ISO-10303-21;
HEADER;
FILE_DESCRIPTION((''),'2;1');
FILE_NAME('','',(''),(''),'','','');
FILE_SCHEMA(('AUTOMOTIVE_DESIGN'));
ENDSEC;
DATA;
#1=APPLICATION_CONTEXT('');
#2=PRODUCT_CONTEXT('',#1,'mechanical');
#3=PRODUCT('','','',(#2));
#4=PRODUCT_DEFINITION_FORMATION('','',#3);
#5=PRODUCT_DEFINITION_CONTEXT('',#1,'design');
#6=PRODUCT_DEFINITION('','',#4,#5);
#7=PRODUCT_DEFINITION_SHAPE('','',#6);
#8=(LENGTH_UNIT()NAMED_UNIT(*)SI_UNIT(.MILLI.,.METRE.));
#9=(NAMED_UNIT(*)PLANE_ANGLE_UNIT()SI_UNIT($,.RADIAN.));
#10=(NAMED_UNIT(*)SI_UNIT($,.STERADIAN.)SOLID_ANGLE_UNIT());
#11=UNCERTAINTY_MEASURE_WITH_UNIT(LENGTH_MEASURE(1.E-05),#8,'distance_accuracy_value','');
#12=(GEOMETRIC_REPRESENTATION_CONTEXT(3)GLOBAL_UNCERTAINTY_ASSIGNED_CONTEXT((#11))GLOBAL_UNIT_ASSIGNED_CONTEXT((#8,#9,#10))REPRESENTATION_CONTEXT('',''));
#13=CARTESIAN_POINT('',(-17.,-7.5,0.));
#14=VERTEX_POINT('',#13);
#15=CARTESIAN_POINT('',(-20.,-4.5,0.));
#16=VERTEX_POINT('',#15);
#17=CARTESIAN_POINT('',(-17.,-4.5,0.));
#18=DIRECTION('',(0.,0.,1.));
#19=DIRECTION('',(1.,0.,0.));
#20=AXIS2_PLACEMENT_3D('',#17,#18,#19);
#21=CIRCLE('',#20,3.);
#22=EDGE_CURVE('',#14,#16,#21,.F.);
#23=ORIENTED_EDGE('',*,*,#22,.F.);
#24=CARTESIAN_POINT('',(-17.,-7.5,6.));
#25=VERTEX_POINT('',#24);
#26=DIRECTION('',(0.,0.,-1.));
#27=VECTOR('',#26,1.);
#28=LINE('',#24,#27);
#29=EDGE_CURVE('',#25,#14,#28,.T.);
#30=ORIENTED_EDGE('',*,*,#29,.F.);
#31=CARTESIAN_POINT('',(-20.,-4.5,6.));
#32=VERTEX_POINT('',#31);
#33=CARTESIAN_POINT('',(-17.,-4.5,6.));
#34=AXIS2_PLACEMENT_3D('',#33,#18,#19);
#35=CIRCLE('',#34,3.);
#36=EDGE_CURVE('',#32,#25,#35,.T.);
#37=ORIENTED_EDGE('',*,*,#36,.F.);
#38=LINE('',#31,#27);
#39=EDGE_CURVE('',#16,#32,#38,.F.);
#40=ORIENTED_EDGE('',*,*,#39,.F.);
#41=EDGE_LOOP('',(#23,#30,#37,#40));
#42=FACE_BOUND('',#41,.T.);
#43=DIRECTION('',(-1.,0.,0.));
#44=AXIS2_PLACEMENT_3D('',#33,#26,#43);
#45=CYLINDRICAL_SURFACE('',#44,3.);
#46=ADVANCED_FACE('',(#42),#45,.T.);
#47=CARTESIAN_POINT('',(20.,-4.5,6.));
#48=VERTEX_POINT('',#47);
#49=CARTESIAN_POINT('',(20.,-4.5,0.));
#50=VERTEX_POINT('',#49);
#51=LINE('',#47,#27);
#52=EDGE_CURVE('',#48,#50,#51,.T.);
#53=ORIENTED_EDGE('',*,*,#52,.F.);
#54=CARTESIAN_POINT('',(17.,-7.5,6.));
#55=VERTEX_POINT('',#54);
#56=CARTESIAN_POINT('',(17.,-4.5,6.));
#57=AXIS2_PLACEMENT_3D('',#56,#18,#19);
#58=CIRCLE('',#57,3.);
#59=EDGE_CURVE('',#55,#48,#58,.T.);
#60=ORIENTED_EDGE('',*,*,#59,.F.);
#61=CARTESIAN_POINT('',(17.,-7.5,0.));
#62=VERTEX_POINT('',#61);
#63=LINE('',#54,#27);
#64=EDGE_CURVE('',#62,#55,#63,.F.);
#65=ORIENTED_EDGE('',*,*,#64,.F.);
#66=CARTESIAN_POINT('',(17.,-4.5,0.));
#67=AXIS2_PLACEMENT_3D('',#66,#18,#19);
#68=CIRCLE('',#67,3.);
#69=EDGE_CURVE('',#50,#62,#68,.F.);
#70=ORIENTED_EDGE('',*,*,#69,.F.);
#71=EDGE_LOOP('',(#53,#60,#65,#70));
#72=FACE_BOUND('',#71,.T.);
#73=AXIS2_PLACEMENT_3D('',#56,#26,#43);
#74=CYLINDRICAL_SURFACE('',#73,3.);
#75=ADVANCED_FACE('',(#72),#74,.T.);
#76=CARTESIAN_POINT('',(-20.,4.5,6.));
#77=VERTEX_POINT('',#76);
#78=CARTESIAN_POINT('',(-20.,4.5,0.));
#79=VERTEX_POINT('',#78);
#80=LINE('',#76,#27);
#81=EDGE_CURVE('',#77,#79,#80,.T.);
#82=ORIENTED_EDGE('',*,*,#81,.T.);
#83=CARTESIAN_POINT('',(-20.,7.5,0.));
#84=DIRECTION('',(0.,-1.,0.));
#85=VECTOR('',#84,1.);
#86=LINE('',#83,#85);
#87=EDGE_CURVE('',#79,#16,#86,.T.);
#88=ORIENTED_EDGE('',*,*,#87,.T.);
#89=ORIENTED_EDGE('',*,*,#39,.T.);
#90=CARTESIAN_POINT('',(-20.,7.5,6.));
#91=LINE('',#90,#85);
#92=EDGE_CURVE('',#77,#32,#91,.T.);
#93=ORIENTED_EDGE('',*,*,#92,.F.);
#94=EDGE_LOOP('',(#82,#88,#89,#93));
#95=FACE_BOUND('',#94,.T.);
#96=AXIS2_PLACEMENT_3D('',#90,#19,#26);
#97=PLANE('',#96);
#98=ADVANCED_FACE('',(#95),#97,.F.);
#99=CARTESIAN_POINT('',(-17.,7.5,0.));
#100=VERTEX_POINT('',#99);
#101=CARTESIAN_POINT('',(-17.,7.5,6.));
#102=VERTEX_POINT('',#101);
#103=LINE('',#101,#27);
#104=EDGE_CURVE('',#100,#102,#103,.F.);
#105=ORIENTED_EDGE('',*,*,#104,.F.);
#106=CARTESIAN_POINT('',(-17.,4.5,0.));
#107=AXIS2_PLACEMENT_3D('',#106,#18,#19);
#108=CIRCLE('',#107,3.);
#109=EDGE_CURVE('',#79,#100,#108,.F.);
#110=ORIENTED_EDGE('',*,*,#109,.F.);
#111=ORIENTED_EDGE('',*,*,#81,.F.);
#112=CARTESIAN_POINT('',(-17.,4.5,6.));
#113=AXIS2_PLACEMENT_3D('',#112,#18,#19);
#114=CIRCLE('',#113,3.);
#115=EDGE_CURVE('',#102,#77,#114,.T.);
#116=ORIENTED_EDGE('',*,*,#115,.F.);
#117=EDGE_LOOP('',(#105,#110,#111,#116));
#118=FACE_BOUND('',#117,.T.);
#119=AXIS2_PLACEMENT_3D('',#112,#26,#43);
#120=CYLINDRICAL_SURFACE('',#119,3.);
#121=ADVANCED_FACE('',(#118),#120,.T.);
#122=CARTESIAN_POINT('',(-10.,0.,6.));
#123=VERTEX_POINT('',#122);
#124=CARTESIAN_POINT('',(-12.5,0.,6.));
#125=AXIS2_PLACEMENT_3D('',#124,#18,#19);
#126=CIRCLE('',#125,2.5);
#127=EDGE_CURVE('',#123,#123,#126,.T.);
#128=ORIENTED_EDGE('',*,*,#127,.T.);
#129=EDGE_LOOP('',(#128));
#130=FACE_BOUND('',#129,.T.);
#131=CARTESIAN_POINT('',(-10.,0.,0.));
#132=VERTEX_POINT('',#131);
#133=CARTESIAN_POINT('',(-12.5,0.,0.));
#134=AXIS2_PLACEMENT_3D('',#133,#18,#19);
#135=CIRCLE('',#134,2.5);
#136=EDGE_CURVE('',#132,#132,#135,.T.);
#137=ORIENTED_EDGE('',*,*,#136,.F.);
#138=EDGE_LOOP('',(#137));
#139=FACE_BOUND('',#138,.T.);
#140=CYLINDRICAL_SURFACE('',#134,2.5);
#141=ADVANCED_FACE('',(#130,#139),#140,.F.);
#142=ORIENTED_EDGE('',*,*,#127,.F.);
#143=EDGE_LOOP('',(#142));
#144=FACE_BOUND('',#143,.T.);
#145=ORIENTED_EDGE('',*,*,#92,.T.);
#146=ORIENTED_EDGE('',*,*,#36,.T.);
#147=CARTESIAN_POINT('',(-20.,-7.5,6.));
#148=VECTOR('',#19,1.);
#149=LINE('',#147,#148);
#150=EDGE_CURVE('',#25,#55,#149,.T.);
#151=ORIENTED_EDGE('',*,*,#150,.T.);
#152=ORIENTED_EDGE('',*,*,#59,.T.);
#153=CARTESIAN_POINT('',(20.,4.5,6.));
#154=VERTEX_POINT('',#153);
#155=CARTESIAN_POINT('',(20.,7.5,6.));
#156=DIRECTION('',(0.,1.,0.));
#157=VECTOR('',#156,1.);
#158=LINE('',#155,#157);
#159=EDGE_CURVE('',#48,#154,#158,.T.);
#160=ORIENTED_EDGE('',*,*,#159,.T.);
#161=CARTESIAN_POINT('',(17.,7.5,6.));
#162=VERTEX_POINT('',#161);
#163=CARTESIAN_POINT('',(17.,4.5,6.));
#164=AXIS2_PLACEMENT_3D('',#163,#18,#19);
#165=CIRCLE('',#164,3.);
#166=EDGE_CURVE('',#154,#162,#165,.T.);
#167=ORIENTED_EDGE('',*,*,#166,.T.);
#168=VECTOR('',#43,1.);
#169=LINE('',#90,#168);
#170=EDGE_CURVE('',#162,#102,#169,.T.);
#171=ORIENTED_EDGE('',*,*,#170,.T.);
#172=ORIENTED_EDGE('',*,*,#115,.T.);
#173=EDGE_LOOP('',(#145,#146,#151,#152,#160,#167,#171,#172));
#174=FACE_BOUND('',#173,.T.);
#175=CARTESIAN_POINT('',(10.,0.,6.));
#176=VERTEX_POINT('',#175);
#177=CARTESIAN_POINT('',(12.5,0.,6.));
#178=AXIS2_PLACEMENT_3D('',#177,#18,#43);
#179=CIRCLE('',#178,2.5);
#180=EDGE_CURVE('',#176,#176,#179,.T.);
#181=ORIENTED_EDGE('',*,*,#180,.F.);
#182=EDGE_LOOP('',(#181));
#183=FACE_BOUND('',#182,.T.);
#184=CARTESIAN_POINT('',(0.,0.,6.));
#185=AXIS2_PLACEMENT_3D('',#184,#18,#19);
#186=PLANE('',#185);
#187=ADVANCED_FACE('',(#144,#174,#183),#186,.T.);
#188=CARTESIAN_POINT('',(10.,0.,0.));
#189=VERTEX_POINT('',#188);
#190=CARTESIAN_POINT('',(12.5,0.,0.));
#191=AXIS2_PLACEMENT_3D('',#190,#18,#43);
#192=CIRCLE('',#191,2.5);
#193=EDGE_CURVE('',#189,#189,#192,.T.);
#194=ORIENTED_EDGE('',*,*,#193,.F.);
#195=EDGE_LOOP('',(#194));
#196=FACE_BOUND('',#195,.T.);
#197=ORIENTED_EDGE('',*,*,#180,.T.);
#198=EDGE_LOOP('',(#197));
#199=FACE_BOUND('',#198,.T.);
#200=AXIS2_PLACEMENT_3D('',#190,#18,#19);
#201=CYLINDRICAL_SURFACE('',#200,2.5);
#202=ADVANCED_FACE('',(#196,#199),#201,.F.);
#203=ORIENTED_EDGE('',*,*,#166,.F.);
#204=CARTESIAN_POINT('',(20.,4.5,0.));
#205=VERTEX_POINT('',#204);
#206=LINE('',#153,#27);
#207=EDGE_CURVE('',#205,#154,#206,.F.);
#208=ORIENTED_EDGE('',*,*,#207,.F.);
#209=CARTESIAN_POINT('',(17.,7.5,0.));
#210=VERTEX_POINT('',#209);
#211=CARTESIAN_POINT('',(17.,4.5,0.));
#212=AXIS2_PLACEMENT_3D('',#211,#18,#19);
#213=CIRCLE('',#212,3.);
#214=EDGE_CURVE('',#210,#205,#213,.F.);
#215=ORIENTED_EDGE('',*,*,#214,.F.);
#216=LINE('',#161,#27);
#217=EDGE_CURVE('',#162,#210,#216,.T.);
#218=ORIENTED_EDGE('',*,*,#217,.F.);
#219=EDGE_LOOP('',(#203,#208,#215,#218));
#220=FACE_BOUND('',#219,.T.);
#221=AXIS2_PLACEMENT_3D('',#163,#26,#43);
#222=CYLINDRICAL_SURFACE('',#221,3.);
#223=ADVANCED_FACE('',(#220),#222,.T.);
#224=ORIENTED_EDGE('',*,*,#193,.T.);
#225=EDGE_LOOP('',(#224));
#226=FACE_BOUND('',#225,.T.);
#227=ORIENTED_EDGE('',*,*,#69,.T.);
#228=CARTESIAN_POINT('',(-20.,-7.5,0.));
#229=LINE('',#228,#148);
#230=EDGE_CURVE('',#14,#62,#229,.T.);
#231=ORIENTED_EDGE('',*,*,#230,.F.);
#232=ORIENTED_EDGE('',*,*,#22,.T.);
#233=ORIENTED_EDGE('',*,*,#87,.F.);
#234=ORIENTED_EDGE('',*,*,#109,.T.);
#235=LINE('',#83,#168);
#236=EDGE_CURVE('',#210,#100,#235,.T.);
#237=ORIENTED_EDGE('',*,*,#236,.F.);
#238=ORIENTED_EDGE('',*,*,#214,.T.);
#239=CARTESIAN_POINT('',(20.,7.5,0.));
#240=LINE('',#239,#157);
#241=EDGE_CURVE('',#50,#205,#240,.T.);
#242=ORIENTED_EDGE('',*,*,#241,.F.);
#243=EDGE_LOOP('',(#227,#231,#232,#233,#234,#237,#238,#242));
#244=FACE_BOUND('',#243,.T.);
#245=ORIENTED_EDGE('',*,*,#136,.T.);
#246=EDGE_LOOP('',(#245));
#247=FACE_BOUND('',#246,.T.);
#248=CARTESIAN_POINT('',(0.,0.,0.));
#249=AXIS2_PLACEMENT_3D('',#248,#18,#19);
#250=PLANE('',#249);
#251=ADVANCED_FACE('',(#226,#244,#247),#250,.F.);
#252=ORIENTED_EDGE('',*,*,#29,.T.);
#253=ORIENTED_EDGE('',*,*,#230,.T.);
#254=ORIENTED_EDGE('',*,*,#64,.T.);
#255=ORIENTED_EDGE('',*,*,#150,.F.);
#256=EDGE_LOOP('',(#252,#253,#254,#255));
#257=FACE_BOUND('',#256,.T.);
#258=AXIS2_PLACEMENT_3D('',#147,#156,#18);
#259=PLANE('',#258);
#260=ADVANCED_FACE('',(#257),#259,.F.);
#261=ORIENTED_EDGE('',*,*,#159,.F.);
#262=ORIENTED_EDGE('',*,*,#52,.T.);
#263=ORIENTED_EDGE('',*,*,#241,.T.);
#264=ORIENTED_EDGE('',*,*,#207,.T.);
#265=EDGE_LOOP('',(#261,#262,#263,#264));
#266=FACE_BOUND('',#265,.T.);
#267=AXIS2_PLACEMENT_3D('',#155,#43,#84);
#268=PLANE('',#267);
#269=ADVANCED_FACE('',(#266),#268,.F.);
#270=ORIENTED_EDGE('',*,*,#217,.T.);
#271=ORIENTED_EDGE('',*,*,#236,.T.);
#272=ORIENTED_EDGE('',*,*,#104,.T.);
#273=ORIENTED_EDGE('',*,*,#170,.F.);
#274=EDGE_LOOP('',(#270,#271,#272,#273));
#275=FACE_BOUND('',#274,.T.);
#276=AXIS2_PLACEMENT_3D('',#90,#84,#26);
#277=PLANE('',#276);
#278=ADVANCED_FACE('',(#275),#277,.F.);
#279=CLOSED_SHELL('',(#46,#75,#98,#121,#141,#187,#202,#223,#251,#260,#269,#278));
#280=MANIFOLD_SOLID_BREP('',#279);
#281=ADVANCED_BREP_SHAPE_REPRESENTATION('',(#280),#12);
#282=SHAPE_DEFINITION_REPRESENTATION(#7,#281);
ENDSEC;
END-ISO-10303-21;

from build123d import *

# Parameters (mm, degrees)
SKETCH_1_W          = 40
SKETCH_1_H          = 15
EXTRUDE_1_DEPTH     = 6
SKETCH_2_R          = 2.5
CUT_EXTRUDE_1_DEPTH = 23.186707732
FILLET_1_R          = 3


with BuildPart() as part:
    # 草图1 → 凸台-拉伸1 (new body)
    with BuildSketch(Plane.XY):
        Rectangle(SKETCH_1_W, SKETCH_1_H)
    extrude(amount=EXTRUDE_1_DEPTH)

    # 草图2 → 切除-拉伸1 (cut, through all)
    with BuildSketch(Plane.XY.offset(6)):
        with Locations((-12.5, 0)):
            Circle(SKETCH_2_R)
        with Locations(Location((12.5, 0, 0), (0, 0, 180))):
            Circle(SKETCH_2_R)
    extrude(amount=-CUT_EXTRUDE_1_DEPTH, mode=Mode.SUBTRACT)

    # 圆角1
    fillet_1_edges = [part.edges().sort_by_distance(p)[0] for p in [
        (20, -7.5, 3),
        (-20, -7.5, 3),
        (-20, 7.5, 3),
        (20, 7.5, 3),
    ]]
    fillet(fillet_1_edges, radius=FILLET_1_R)


solid = part.part
